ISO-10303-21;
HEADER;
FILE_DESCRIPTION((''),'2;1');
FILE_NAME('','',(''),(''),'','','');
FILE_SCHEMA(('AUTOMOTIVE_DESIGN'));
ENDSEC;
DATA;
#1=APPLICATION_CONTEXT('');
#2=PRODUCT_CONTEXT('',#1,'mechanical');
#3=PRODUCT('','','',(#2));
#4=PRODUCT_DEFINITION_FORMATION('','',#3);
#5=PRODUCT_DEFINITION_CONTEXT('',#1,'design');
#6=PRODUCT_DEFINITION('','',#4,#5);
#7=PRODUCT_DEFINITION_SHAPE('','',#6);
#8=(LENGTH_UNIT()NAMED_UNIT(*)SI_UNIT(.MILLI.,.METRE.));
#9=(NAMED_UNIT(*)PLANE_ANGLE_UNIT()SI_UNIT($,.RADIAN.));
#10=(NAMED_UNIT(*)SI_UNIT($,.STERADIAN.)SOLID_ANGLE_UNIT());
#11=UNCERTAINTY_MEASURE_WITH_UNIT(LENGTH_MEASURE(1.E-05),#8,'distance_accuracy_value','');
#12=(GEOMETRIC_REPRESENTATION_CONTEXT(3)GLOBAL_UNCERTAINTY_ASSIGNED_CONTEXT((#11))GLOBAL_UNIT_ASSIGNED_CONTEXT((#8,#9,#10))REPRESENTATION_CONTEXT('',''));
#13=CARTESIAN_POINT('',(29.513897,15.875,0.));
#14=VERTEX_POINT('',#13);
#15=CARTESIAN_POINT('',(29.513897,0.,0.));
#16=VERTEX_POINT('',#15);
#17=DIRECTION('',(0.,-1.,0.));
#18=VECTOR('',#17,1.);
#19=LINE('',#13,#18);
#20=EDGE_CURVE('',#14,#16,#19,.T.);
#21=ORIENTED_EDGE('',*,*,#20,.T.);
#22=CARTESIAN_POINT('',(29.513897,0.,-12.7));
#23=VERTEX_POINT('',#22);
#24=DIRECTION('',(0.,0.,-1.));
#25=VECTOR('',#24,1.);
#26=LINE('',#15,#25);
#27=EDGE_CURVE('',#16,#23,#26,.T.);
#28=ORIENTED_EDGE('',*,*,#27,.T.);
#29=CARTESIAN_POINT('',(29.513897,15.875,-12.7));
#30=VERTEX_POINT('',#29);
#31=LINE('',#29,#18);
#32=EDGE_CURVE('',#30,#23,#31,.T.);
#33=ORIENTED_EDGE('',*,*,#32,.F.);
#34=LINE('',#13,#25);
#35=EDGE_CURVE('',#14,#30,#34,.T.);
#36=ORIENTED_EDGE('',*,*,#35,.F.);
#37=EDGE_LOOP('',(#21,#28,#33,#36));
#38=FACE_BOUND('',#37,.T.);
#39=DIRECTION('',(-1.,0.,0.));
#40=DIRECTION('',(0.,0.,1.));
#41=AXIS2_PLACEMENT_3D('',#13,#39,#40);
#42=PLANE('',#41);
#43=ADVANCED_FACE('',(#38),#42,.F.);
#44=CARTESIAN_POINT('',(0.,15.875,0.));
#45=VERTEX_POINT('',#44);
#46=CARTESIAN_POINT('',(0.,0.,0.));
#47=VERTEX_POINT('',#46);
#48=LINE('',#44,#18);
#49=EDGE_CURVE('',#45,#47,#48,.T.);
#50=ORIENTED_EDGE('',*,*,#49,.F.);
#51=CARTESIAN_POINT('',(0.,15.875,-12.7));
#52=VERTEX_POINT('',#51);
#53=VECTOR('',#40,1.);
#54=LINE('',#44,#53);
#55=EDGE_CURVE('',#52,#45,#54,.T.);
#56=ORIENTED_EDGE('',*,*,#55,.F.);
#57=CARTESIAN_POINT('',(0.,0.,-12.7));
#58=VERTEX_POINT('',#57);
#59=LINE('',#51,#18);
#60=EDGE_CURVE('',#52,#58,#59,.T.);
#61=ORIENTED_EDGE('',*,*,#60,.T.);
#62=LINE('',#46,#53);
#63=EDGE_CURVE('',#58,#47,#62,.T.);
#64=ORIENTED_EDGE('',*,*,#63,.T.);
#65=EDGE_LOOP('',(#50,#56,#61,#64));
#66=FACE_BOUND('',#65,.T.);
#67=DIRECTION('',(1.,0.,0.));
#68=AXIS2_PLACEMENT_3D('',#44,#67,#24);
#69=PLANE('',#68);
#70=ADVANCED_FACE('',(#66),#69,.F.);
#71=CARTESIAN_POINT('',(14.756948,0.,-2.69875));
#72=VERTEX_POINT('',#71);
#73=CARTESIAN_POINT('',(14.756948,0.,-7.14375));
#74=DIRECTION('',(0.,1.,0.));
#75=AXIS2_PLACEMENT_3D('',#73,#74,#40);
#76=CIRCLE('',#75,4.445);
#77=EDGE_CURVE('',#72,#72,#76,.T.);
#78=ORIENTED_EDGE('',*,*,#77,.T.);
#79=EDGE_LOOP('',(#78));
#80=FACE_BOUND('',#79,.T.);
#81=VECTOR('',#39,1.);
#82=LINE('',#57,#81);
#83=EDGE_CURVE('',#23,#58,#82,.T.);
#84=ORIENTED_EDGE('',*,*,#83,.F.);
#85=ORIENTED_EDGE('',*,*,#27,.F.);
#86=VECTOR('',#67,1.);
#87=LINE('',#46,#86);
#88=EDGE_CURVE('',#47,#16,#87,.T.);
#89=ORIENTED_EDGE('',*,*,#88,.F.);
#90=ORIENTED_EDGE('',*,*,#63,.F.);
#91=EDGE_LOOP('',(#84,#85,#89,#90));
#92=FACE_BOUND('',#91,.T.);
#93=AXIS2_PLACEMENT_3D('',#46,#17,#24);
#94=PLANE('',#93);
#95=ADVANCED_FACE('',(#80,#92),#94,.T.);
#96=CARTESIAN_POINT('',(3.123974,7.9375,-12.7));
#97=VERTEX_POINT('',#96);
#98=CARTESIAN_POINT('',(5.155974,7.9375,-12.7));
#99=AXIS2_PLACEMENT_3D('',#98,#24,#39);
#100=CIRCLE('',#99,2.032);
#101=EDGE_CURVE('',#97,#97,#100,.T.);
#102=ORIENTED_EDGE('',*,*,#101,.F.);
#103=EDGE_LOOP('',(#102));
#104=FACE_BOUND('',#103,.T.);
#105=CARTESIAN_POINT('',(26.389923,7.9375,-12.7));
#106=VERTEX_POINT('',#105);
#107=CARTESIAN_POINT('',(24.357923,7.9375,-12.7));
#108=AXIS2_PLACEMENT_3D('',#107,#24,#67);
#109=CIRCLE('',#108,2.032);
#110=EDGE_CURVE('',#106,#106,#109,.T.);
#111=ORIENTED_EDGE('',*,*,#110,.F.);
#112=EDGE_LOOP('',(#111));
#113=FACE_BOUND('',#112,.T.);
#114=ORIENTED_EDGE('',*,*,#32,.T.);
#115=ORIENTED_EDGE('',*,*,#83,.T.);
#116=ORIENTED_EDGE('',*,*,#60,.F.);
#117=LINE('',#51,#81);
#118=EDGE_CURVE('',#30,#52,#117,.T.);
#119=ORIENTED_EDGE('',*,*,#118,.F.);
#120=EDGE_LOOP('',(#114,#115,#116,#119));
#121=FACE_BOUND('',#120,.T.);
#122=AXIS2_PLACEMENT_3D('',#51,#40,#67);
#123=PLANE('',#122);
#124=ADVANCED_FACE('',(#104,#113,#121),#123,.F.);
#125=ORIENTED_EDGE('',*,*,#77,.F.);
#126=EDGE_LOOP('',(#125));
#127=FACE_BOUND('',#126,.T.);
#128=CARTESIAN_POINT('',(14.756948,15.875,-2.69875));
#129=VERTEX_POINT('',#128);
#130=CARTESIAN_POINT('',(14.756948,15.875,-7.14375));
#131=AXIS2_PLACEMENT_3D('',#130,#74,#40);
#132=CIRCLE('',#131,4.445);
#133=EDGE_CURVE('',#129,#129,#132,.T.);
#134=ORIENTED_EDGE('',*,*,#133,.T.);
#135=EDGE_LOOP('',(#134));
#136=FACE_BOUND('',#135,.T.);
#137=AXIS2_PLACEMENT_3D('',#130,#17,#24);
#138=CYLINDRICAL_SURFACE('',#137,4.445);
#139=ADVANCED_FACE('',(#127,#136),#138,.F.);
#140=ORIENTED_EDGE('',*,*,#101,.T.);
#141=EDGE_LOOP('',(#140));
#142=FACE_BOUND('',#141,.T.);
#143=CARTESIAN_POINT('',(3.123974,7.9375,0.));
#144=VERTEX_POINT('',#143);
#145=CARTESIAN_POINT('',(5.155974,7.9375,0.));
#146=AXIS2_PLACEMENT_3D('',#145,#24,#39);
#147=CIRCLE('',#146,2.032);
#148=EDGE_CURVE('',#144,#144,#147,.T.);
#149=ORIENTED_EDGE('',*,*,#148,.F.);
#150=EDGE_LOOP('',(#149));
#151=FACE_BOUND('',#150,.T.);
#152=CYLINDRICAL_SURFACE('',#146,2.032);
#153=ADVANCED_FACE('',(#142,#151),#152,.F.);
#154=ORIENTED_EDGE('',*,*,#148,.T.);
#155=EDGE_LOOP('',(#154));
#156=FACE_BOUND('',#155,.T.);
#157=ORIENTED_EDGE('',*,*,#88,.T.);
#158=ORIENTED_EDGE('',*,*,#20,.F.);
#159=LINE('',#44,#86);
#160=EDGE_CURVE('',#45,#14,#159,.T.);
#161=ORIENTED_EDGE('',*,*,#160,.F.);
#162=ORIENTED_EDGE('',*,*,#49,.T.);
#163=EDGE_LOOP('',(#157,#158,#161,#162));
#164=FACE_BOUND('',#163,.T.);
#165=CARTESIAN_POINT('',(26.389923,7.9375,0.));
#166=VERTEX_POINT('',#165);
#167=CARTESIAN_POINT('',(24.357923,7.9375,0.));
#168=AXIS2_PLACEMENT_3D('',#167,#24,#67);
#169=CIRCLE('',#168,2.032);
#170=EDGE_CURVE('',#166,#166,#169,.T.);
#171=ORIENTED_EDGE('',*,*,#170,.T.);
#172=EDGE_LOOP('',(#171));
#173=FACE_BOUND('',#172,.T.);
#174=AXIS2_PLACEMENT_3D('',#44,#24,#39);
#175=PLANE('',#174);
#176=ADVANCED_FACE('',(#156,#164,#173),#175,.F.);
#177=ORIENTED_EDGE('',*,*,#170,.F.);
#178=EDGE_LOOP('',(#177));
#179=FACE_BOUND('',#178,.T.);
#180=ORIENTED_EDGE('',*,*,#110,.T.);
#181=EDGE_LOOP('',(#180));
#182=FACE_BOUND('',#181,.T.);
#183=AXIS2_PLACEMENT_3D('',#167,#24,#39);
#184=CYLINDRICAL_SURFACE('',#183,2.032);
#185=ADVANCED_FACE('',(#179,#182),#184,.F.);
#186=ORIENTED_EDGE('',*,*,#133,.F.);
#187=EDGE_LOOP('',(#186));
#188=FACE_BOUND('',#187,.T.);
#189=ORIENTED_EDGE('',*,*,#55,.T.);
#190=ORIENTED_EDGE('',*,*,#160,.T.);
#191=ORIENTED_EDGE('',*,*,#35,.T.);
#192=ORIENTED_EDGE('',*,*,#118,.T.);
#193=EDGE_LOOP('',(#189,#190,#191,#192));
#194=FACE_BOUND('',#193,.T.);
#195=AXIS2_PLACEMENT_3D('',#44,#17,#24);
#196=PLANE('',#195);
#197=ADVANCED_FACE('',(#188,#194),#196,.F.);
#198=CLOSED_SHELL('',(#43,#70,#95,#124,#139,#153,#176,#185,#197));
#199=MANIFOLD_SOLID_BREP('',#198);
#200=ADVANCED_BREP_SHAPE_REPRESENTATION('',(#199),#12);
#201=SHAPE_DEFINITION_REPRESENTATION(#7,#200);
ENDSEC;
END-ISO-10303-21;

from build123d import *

# Parameters (mm, degrees)
SKETCH1_W           = 29.513896991
SKETCH1_H           = 12.7
SKETCH1_R           = 4.445
BOSS_EXTRUDE1_DEPTH = 15.875
SKETCH2_R           = 2.032
CUT_EXTRUDE1_DEPTH  = 12.7


with BuildPart() as part:
    # Sketch1 → Boss-Extrude1 (new body)
    with BuildSketch(Plane(origin=(0, 0, 0), x_dir=(1, 0, 0), z_dir=(0, 1, 0))):
        with Locations((14.756948496, 6.35)):
            Rectangle(SKETCH1_W, SKETCH1_H)
        with Locations((14.756948496, 7.14375)):
            Circle(SKETCH1_R, mode=Mode.SUBTRACT)
    extrude(amount=BOSS_EXTRUDE1_DEPTH)

    # Sketch2 → Cut-Extrude1 (cut)
    with BuildSketch(Plane(origin=(0, 0, -12.7), x_dir=(-1, 0, 0), z_dir=(0, 0, -1))):
        with Locations((-5.155974248, 7.9375)):
            Circle(SKETCH2_R)
        with Locations((-24.357922743, 7.9375)):
            Circle(SKETCH2_R)
    extrude(amount=-CUT_EXTRUDE1_DEPTH, mode=Mode.SUBTRACT)


solid = part.part
